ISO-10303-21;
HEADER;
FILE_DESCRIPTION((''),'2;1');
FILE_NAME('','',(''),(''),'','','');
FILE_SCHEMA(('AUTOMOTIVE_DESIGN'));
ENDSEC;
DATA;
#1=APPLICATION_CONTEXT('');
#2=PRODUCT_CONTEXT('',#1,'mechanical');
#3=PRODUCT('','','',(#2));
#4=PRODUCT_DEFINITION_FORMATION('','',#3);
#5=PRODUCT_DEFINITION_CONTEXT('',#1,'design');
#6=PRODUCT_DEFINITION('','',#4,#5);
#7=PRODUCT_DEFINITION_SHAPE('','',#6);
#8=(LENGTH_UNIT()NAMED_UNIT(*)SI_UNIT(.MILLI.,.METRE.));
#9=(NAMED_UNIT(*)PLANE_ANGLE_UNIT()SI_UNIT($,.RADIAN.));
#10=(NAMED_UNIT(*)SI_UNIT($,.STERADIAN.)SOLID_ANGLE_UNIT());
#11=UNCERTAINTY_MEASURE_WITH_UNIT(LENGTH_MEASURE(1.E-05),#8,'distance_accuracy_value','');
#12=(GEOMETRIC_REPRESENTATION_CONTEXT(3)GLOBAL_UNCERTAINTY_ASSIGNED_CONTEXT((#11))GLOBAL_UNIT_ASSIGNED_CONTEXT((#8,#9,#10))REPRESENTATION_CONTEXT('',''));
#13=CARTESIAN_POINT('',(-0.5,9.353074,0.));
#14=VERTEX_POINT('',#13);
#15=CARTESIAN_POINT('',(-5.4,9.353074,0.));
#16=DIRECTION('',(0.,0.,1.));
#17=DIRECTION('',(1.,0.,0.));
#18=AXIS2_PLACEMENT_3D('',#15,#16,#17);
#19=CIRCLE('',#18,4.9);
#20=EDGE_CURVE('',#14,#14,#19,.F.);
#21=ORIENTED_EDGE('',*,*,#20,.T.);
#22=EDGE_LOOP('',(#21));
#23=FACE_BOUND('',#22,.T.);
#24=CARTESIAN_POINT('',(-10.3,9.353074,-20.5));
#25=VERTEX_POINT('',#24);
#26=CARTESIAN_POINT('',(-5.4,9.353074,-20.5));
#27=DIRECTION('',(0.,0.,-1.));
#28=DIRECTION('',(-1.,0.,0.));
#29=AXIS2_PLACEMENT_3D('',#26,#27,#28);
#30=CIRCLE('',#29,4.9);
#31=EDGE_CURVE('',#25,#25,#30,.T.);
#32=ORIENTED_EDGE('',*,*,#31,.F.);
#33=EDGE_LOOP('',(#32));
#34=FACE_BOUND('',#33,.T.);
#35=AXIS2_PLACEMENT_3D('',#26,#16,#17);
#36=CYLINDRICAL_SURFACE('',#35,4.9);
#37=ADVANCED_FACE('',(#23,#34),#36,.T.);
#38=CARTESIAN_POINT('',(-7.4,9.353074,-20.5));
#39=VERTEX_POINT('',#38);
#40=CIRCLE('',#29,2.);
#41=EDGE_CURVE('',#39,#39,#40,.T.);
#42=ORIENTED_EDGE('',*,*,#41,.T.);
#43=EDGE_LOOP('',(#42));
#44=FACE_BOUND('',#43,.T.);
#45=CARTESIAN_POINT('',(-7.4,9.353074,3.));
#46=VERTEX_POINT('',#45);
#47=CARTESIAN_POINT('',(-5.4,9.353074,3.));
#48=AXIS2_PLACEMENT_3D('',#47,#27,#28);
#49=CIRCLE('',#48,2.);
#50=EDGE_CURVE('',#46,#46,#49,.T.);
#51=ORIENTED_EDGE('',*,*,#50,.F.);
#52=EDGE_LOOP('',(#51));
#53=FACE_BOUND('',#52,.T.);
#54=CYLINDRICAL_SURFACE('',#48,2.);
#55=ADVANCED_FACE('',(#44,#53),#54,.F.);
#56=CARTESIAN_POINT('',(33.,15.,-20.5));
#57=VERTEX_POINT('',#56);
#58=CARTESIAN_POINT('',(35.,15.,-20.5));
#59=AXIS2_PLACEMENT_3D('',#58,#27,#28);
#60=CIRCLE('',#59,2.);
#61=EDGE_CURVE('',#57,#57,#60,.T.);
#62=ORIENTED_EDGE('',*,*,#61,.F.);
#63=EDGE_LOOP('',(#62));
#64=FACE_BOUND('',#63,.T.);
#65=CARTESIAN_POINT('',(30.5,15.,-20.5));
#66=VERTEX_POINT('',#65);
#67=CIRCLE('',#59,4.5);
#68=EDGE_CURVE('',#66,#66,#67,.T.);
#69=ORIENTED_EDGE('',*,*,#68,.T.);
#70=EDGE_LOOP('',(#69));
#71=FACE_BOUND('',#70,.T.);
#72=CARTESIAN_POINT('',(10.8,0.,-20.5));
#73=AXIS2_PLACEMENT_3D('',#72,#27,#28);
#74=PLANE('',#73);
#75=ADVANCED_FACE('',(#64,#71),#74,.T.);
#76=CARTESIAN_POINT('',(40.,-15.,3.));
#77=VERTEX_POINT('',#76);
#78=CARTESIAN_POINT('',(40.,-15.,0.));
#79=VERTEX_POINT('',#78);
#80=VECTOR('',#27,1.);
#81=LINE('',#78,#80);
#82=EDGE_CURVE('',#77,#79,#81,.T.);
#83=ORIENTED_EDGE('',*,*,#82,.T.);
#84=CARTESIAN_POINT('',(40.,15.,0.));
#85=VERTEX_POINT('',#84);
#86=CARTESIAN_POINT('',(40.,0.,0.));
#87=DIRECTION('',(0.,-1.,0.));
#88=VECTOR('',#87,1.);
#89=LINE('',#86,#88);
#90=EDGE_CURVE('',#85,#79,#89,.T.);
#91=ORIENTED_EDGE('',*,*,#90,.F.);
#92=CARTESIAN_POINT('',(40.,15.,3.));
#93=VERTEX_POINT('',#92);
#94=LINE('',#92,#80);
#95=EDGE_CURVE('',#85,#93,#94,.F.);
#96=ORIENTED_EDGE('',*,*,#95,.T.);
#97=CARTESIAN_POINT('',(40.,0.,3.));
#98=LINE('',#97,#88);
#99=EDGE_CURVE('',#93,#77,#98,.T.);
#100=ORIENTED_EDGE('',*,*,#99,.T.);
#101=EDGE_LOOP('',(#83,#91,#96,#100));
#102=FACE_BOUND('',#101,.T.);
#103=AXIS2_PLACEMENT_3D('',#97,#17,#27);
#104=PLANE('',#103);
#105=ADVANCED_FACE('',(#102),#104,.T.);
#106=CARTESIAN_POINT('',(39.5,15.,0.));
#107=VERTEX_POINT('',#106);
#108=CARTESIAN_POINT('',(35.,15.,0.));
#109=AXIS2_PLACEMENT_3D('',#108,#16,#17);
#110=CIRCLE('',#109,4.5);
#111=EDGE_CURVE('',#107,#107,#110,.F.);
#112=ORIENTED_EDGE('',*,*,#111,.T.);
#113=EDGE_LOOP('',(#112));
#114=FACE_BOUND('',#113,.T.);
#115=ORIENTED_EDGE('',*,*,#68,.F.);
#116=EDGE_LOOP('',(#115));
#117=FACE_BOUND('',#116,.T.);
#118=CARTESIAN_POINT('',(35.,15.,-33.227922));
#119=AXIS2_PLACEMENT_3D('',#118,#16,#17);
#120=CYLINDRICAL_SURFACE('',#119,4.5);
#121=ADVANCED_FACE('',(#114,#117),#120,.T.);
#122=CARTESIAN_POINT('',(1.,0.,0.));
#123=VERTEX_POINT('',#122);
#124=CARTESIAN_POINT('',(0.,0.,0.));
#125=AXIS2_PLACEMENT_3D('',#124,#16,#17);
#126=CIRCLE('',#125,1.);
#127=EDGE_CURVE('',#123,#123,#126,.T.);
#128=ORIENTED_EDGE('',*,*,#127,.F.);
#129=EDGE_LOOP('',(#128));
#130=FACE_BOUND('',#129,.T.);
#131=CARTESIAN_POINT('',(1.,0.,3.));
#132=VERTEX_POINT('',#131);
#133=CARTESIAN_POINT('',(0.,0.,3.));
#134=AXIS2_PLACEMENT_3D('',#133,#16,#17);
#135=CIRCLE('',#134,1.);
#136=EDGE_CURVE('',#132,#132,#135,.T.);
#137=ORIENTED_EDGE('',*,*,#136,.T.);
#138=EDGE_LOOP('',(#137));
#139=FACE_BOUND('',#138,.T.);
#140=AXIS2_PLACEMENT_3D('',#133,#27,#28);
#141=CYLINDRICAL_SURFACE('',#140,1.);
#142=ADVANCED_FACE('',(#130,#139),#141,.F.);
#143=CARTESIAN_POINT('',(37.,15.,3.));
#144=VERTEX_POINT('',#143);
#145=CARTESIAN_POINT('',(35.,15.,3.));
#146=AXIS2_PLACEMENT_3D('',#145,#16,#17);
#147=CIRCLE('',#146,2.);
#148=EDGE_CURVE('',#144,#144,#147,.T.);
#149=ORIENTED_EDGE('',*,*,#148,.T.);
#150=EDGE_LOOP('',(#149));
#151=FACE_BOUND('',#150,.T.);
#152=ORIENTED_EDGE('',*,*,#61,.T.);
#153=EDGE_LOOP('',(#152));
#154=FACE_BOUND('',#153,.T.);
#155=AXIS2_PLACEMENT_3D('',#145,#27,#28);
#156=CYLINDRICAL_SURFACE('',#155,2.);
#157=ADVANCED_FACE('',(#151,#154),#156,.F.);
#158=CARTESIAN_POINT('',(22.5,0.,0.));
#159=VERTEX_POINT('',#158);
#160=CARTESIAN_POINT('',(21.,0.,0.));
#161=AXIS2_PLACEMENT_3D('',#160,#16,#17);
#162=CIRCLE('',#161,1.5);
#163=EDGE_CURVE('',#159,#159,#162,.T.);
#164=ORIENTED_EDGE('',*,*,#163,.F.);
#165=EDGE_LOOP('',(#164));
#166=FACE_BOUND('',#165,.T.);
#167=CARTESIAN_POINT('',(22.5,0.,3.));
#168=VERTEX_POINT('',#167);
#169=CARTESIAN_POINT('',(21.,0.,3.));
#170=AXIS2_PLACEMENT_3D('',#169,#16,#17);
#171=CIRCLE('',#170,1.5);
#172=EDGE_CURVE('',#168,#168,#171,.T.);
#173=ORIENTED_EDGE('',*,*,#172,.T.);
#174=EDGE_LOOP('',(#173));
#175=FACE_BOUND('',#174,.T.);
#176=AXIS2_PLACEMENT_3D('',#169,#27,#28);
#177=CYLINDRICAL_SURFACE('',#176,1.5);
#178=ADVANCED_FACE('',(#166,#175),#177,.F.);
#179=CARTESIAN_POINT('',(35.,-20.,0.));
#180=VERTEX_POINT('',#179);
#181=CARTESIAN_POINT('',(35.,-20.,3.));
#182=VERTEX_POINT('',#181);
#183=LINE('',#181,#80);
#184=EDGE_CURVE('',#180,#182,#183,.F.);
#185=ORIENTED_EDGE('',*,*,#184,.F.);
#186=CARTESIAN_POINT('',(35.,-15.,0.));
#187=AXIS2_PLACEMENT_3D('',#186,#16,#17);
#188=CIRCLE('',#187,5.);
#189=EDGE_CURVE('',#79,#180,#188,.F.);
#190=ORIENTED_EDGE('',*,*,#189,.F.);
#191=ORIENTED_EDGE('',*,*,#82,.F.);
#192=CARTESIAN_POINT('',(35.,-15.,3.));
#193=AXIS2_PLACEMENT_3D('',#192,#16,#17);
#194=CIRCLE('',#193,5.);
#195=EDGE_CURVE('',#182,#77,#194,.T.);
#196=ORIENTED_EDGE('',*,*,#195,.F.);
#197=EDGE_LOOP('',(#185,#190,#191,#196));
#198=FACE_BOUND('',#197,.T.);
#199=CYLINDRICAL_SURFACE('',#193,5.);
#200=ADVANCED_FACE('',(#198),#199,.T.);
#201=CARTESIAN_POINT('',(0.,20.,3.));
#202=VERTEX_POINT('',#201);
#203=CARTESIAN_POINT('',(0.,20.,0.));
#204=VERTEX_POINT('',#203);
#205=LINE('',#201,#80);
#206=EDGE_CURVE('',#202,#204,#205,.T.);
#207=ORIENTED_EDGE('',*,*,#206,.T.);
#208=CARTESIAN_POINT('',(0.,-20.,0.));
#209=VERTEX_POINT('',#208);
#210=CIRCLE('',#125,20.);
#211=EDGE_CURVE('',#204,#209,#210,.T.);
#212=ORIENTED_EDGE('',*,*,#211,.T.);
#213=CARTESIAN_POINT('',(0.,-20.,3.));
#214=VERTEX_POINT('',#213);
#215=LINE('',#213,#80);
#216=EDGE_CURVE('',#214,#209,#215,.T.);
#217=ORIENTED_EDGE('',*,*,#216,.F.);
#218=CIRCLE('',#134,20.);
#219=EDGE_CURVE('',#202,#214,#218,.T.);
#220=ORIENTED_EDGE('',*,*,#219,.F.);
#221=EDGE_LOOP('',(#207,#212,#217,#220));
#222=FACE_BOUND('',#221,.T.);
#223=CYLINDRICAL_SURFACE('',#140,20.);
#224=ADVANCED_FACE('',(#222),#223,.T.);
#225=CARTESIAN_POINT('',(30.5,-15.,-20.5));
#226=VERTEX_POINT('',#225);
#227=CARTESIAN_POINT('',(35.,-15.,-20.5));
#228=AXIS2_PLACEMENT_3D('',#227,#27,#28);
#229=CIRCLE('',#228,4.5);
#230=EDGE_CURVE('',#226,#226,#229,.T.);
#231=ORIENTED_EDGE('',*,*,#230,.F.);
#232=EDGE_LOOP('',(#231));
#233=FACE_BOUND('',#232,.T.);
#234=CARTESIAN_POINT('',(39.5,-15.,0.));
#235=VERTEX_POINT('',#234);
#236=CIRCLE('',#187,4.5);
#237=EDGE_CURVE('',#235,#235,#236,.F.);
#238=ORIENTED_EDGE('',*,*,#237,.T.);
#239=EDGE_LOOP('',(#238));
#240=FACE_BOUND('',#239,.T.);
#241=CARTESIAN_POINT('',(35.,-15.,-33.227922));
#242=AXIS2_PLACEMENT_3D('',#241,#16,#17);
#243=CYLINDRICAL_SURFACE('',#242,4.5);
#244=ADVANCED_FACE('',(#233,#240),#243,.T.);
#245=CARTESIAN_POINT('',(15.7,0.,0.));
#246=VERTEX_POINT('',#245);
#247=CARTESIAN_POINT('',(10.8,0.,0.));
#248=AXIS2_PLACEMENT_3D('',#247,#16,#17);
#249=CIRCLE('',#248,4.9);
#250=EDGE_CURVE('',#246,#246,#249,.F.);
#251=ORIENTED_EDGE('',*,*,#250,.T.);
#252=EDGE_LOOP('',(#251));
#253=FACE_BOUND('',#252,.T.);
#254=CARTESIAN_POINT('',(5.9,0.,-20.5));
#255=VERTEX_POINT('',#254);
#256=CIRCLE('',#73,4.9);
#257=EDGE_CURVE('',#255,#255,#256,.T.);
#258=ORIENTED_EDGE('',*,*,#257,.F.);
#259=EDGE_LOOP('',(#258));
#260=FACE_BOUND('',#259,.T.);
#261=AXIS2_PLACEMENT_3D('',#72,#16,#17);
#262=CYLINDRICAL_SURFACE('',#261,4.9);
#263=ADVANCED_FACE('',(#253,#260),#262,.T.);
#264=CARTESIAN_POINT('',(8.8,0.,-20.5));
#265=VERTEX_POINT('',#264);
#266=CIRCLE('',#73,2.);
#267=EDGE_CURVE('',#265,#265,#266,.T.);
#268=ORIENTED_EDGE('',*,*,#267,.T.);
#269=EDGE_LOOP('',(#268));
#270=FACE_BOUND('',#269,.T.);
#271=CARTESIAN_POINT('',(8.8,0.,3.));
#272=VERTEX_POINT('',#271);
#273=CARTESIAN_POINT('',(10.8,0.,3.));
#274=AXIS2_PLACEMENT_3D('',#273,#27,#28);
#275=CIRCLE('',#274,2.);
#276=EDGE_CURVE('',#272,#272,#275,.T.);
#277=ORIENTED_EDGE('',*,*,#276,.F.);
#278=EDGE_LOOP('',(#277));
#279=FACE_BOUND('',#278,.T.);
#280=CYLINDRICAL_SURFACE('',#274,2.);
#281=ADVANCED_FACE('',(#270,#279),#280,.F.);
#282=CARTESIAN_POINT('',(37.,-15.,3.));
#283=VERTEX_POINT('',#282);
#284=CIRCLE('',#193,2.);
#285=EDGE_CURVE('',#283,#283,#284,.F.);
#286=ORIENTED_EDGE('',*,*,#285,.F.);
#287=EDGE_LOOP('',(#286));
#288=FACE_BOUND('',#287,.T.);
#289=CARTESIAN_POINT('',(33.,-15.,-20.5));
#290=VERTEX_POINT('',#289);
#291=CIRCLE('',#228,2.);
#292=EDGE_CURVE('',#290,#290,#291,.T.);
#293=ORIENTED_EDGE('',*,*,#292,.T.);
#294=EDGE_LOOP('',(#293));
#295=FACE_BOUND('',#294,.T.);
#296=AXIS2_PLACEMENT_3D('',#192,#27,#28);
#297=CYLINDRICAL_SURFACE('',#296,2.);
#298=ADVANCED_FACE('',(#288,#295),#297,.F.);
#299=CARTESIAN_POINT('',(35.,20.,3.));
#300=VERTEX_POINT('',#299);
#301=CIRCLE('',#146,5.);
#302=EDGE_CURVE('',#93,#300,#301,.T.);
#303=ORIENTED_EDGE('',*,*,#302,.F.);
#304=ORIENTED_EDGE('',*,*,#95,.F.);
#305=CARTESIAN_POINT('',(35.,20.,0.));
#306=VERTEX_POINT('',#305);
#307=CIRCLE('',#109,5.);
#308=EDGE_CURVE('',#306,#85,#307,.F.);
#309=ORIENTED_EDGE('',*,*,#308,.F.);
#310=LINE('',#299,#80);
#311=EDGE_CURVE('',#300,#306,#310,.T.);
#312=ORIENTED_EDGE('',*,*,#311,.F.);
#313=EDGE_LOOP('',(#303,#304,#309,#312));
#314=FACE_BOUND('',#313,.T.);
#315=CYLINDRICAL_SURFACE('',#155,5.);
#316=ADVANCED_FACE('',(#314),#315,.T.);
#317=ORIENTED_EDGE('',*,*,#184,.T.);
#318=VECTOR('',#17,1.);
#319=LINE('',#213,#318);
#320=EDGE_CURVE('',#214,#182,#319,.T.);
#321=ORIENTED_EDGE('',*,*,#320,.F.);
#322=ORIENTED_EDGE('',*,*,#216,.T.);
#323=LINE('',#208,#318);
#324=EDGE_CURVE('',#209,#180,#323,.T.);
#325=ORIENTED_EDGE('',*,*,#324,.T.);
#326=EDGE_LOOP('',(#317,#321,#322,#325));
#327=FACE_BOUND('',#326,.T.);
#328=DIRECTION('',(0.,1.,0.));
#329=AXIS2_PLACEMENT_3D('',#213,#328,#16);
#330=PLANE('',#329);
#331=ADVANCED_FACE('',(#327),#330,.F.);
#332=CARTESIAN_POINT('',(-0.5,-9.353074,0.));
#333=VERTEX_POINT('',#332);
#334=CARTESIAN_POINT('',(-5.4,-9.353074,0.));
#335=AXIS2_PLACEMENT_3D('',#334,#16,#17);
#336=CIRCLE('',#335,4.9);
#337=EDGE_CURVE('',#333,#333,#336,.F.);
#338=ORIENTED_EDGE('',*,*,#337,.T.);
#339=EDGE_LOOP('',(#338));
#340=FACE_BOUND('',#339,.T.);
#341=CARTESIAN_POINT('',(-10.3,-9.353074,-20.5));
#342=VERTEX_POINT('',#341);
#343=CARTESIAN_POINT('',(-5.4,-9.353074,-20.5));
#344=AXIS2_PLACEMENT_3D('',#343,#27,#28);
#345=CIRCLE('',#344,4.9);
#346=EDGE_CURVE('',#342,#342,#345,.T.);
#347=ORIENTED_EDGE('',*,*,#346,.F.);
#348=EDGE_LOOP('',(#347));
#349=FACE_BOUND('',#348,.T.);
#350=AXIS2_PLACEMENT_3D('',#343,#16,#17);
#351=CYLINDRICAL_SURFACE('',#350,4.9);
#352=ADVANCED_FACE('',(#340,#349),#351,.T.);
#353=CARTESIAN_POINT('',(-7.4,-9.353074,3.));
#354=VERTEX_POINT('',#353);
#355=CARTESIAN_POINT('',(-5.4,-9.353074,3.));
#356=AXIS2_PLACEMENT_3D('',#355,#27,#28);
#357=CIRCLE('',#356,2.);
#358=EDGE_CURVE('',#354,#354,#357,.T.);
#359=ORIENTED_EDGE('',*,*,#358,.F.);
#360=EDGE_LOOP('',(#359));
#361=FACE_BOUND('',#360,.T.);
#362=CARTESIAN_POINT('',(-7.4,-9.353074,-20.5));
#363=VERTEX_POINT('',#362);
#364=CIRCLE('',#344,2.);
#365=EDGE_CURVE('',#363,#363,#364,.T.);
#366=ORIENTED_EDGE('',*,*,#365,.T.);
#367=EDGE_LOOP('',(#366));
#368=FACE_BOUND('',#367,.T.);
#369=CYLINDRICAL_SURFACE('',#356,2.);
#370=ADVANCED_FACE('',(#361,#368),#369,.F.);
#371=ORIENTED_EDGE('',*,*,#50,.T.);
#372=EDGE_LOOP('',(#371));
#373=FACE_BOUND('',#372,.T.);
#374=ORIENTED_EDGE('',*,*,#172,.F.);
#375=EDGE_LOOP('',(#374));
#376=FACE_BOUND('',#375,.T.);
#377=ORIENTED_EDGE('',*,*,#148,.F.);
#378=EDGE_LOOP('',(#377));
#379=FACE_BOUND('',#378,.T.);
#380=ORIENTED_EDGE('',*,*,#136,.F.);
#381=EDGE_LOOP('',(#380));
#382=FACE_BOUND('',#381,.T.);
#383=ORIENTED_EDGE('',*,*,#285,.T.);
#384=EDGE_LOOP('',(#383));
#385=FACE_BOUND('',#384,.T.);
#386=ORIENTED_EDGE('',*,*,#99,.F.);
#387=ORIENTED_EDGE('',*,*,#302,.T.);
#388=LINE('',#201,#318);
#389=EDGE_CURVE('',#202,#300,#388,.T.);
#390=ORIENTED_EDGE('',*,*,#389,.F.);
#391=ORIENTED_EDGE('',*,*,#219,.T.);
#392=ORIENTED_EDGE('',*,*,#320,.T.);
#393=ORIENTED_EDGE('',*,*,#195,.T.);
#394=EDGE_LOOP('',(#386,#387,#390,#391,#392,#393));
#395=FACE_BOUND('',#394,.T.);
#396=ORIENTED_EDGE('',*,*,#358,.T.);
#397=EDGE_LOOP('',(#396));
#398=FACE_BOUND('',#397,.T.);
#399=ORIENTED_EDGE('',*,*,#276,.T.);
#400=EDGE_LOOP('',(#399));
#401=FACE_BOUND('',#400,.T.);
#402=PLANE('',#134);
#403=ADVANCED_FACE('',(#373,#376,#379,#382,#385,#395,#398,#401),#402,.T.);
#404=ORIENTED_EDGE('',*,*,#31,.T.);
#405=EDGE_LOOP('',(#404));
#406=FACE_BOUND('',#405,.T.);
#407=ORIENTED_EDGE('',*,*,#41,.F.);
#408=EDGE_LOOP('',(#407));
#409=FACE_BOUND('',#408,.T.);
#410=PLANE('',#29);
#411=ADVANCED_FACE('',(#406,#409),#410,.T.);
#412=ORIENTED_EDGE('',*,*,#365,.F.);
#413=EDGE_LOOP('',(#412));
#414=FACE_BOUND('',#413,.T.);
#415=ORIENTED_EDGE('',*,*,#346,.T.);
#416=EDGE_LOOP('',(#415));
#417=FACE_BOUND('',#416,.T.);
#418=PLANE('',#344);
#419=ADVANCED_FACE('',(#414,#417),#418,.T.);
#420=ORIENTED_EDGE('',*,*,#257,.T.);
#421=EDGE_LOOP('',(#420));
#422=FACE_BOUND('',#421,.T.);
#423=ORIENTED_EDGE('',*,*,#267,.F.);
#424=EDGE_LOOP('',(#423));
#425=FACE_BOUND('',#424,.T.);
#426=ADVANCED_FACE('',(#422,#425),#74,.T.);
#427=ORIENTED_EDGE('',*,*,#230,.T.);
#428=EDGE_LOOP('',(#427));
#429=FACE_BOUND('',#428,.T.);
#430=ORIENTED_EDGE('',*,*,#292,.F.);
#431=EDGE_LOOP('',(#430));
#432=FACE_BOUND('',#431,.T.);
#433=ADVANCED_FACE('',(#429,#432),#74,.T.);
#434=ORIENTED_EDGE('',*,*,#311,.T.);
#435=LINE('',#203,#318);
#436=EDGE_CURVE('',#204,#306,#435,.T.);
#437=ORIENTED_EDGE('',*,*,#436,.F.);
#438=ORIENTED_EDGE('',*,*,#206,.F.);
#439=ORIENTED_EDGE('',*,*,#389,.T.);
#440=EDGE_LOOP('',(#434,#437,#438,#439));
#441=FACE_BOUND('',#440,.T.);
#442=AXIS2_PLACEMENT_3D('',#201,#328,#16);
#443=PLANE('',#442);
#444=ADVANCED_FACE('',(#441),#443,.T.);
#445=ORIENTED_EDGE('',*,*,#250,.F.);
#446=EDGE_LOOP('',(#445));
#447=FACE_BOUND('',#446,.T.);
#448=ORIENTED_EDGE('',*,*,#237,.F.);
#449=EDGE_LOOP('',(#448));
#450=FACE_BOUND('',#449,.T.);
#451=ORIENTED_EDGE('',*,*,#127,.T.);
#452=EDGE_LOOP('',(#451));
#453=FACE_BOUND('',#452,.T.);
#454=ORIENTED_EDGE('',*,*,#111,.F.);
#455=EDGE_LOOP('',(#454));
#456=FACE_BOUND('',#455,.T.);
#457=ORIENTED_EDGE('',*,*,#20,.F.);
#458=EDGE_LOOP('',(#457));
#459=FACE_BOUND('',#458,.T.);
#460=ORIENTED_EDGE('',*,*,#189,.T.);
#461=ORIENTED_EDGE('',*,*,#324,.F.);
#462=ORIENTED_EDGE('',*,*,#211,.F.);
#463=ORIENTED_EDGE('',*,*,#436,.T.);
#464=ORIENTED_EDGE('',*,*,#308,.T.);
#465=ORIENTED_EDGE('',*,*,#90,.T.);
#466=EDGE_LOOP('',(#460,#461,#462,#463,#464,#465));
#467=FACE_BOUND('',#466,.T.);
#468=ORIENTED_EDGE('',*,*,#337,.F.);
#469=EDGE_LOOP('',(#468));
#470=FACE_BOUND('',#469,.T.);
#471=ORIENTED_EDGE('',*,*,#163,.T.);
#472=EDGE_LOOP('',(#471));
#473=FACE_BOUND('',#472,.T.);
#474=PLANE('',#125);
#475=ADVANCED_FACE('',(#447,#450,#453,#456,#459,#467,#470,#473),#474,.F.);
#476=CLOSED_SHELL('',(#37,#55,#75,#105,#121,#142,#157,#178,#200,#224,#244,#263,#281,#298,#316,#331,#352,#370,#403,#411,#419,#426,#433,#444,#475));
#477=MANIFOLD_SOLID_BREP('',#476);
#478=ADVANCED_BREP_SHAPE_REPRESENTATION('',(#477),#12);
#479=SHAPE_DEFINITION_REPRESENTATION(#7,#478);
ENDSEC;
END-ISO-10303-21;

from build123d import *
from build123d.topology import SkipClean

# Parameters (mm, degrees)
SKIZZE1_R                       = 1.5
SKIZZE1_R_2                     = 1
SKIZZE1_R_3                     = 2
AUFSATZ_LINEAR_AUSTRAGEN1_DEPTH = 3
SKIZZE2_R                       = 4.9
AUFSATZ_LINEAR_AUSTRAGEN2_DEPTH = 20.5
SKIZZE3_R                       = 2
SCHNITT_LINEAR_AUSTRAGEN1_DEPTH = 51.519798099
VERRUNDUNG1_R                   = 5
AUFSATZ_LINEAR_START            = 20.5
SKIZZE4_R                       = 4.5
SKIZZE4_R_2                     = 2
AUFSATZ_LINEAR_AUSTRAGEN3_DEPTH = 20.5


with BuildPart() as part:
    # Skizze1 → Aufsatz-Linear austragen1 (new body)
    with BuildSketch(Plane.XY):
        with BuildLine():
            ThreePointArc((0, 20), (-20, 0), (0, -20))
            Line((0, -20), (40, -20))
            Line((40, -20), (40, 20))
            Line((40, 20), (0, 20))
        make_face()
        with Locations((21, 0)):
            Circle(SKIZZE1_R, mode=Mode.SUBTRACT)
        Circle(SKIZZE1_R_2, mode=Mode.SUBTRACT)
        with Locations((35, 15)):
            Circle(SKIZZE1_R_3, mode=Mode.SUBTRACT)
        with Locations((35, -15)):
            Circle(SKIZZE1_R_3, mode=Mode.SUBTRACT)
    extrude(amount=AUFSATZ_LINEAR_AUSTRAGEN1_DEPTH)

    # Skizze2 → Aufsatz-Linear austragen2 (add)
    with BuildSketch(Plane(origin=(0, 0, 0), x_dir=(-1, 0, 0), z_dir=(0, 0, -1))):
        with Locations(Location((-10.8, 0, 0), (0, 0, 180))):
            Circle(SKIZZE2_R)
        with Locations(Location((5.4, 9.353074361, 0), (0, 0, 180))):
            Circle(SKIZZE2_R)
        with Locations(Location((5.4, -9.353074361, 0), (0, 0, 180))):
            Circle(SKIZZE2_R)
    extrude(amount=AUFSATZ_LINEAR_AUSTRAGEN2_DEPTH)

    # Skizze3 → Schnitt-Linear austragen1 (cut, through all)
    with BuildSketch(Plane(origin=(0, 0, -20.5), x_dir=(-1, 0, 0), z_dir=(0, 0, -1))):
        with Locations((-10.8, 0)):
            Circle(SKIZZE3_R)
        with Locations((5.4, 9.353074361)):
            Circle(SKIZZE3_R)
        with Locations((5.4, -9.353074361)):
            Circle(SKIZZE3_R)
    extrude(amount=-SCHNITT_LINEAR_AUSTRAGEN1_DEPTH, mode=Mode.SUBTRACT)

    # Verrundung1
    verrundung1_edges = [part.edges().sort_by_distance(p)[0] for p in [
        (40, 20, 1.5),
        (40, -20, 1.5),
    ]]
    fillet(verrundung1_edges, radius=VERRUNDUNG1_R)

    # Skizze4 → Aufsatz-Linear austragen3 (add)
    # profile 1 of 2: a face of its own
    with SkipClean():  # the faces are left unmerged after this step: merging them gives an invalid solid
        with BuildSketch(Plane(origin=(0, 0, 0), x_dir=(-1, 0, 0), z_dir=(0, 0, -1)).offset(AUFSATZ_LINEAR_START)):
            with Locations(Location((-35, 15, 0), (0, 0, 180))):
                Circle(SKIZZE4_R)
            with Locations((-35, 15)):
                Circle(SKIZZE4_R_2, mode=Mode.SUBTRACT)
        # profile 2 of 2: a face of its own
        with BuildSketch(Plane(origin=(0, 0, 0), x_dir=(-1, 0, 0), z_dir=(0, 0, -1)).offset(AUFSATZ_LINEAR_START)):
            with Locations(Location((-35, -15, 0), (0, 0, 180))):
                Circle(SKIZZE4_R)
            with Locations((-35, -15)):
                Circle(SKIZZE4_R_2, mode=Mode.SUBTRACT)
        extrude(amount=-AUFSATZ_LINEAR_AUSTRAGEN3_DEPTH)


solid = part.part
